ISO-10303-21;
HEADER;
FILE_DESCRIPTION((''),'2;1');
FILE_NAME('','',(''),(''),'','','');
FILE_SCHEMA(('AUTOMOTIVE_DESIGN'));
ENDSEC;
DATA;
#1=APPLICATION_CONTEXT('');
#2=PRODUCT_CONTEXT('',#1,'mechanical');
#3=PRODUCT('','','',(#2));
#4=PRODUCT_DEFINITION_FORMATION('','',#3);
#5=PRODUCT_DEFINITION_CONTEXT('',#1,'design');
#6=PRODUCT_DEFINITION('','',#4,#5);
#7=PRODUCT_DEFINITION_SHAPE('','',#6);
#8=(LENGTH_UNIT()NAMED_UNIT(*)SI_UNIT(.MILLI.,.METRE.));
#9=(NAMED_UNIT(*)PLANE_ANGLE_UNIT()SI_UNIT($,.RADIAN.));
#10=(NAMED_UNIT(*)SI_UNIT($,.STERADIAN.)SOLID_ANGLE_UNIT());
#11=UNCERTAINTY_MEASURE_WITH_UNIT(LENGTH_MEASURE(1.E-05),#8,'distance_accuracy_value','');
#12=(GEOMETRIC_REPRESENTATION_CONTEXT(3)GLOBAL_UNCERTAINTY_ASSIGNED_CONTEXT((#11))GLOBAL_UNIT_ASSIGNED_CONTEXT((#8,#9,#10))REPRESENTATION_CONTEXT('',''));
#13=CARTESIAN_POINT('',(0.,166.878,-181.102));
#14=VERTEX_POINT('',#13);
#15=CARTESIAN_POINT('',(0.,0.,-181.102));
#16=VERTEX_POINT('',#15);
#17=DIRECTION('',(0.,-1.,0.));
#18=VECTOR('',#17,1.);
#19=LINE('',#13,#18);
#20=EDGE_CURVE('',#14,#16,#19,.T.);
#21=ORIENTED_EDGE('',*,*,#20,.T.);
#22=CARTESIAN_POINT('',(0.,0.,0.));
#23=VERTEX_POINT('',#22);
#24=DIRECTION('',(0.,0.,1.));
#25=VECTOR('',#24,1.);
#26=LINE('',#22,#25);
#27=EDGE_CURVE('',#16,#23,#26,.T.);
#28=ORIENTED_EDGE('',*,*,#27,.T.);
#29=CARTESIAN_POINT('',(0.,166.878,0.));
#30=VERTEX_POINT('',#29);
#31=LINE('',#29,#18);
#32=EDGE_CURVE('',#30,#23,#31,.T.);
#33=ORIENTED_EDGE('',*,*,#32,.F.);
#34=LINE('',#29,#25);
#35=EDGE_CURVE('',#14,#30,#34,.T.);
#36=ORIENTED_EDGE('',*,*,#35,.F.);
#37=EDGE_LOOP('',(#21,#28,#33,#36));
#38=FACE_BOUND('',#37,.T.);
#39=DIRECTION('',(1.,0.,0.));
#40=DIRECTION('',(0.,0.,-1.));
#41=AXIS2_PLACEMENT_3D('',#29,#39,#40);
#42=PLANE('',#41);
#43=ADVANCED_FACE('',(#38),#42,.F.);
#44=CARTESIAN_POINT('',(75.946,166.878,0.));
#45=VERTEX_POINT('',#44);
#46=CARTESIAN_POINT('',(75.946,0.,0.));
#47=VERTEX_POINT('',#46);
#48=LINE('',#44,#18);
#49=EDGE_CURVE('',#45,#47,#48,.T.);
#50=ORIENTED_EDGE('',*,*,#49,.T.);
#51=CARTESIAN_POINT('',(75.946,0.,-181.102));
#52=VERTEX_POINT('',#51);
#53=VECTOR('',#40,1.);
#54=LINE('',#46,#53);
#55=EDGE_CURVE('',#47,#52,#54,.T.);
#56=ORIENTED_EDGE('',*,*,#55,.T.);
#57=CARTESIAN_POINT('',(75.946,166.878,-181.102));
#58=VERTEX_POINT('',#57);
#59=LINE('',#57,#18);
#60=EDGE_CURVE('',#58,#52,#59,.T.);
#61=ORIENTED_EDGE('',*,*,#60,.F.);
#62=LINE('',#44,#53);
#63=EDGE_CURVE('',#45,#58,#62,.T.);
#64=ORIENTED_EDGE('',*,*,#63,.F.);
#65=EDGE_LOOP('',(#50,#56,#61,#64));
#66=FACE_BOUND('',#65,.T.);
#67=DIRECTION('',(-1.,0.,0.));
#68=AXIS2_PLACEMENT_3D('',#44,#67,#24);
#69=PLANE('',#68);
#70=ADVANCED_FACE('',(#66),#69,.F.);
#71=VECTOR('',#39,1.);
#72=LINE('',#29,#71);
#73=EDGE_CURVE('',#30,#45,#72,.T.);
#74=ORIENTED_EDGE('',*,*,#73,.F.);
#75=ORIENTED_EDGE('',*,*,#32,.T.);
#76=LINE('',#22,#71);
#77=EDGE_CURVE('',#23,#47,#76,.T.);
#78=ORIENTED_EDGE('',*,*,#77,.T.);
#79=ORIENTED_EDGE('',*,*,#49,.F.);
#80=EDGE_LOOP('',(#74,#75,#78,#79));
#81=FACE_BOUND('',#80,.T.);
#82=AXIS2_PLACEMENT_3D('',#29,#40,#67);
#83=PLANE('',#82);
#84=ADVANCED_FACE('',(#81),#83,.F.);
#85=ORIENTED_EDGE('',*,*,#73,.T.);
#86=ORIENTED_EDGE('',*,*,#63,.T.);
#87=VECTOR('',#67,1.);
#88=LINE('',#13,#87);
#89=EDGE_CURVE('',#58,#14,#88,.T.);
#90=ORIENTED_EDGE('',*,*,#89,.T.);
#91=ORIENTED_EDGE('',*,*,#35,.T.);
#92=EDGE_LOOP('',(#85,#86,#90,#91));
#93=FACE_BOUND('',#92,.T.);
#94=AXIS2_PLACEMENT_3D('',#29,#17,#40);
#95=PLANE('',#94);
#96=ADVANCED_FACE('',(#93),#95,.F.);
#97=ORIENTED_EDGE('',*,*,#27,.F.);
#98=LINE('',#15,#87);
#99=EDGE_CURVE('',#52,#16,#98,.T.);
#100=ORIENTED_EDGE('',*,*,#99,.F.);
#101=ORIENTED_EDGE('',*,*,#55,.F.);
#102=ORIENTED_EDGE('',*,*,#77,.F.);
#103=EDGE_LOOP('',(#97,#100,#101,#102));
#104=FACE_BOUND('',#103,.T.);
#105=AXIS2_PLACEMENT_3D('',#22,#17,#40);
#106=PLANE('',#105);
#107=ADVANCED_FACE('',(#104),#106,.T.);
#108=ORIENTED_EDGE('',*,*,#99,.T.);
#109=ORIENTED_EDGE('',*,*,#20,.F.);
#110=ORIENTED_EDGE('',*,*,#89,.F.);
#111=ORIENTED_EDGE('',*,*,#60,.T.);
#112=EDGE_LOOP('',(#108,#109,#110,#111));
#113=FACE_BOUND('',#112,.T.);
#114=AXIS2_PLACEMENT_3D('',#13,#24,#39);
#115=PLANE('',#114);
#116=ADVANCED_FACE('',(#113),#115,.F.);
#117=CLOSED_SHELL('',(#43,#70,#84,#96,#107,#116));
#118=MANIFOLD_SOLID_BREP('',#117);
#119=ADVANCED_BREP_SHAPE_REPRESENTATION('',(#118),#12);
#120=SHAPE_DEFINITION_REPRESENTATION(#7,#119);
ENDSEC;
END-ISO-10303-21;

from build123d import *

# Parameters (mm, degrees)
SKETCH1_W           = 75.946
SKETCH1_H           = 181.102
BOSS_EXTRUDE1_DEPTH = 166.878


with BuildPart() as part:
    # Sketch1 → Boss-Extrude1 (new body)
    with BuildSketch(Plane(origin=(0, 0, 0), x_dir=(1, 0, 0), z_dir=(0, 1, 0))):
        with Locations((37.973, 90.551)):
            Rectangle(SKETCH1_W, SKETCH1_H)
    extrude(amount=BOSS_EXTRUDE1_DEPTH)


solid = part.part
